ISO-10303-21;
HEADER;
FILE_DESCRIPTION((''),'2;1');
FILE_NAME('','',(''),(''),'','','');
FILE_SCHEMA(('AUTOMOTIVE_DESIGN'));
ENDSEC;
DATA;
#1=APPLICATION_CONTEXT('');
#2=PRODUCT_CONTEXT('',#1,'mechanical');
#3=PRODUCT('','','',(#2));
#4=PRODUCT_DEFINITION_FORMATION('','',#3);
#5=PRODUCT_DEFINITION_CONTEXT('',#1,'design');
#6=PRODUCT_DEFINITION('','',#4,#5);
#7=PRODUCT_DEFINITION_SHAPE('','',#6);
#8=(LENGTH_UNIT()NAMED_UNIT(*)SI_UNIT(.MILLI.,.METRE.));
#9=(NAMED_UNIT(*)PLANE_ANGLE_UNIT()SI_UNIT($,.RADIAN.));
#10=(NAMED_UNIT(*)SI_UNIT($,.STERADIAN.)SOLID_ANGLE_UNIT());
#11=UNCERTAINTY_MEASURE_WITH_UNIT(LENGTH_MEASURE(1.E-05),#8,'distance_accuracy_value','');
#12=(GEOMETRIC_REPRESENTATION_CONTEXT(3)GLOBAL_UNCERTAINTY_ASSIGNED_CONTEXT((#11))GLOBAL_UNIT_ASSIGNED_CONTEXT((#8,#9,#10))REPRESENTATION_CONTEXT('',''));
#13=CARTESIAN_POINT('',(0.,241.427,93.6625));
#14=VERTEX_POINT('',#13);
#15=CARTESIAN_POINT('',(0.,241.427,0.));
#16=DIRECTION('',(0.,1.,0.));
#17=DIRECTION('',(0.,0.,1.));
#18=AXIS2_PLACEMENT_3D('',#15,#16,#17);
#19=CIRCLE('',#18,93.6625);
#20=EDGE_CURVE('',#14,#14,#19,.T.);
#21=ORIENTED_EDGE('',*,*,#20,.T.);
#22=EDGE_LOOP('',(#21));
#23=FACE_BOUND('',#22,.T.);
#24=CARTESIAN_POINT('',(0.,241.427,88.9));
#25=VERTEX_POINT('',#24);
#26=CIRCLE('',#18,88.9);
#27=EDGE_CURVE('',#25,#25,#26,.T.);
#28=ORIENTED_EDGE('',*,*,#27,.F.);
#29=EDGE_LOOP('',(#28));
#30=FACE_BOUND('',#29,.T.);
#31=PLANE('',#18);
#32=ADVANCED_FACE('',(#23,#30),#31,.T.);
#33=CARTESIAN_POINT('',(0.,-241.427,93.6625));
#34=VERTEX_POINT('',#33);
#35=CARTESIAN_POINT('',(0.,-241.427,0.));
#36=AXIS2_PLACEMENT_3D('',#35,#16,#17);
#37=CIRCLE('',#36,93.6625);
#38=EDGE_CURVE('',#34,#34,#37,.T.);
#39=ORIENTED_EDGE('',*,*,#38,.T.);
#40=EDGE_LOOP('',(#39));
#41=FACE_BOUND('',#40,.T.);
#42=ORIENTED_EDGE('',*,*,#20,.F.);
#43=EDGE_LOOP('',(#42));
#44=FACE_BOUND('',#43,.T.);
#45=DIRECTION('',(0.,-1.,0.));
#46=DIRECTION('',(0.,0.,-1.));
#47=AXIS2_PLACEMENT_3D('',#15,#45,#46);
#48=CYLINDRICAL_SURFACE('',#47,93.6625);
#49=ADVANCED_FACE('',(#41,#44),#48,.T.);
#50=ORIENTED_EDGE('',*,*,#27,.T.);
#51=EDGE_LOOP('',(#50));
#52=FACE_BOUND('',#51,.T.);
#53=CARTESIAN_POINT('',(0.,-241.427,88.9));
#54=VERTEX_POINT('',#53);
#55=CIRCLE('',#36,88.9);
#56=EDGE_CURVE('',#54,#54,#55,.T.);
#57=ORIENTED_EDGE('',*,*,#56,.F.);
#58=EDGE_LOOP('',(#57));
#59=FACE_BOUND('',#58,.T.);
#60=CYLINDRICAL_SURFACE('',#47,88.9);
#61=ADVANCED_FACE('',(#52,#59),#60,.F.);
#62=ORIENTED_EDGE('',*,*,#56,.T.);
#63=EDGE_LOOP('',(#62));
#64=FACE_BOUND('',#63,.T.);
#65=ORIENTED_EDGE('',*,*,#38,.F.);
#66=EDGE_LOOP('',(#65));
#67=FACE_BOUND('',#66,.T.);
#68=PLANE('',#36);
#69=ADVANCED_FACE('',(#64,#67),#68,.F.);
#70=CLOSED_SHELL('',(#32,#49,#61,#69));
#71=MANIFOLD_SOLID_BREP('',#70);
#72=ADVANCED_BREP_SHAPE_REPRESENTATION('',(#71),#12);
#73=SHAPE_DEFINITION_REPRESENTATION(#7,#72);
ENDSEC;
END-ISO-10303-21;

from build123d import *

# Parameters (mm, degrees)
SKETCH1_R           = 93.6625
SKETCH1_R_2         = 88.9
BOSS_EXTRUDE1_DEPTH = 241.427


with BuildPart() as part:
    # Sketch1 → Boss-Extrude1 (new, symmetric)
    with BuildSketch(Plane(origin=(0, 0, 0), x_dir=(1, 0, 0), z_dir=(0, 1, 0))):
        with Locations(Location((0, 0, 0), (0, 0, 270))):
            Circle(SKETCH1_R)
        with Locations(Location((0, 0, 0), (0, 0, 270))):
            Circle(SKETCH1_R_2, mode=Mode.SUBTRACT)
    extrude(amount=BOSS_EXTRUDE1_DEPTH, both=True)


solid = part.part
